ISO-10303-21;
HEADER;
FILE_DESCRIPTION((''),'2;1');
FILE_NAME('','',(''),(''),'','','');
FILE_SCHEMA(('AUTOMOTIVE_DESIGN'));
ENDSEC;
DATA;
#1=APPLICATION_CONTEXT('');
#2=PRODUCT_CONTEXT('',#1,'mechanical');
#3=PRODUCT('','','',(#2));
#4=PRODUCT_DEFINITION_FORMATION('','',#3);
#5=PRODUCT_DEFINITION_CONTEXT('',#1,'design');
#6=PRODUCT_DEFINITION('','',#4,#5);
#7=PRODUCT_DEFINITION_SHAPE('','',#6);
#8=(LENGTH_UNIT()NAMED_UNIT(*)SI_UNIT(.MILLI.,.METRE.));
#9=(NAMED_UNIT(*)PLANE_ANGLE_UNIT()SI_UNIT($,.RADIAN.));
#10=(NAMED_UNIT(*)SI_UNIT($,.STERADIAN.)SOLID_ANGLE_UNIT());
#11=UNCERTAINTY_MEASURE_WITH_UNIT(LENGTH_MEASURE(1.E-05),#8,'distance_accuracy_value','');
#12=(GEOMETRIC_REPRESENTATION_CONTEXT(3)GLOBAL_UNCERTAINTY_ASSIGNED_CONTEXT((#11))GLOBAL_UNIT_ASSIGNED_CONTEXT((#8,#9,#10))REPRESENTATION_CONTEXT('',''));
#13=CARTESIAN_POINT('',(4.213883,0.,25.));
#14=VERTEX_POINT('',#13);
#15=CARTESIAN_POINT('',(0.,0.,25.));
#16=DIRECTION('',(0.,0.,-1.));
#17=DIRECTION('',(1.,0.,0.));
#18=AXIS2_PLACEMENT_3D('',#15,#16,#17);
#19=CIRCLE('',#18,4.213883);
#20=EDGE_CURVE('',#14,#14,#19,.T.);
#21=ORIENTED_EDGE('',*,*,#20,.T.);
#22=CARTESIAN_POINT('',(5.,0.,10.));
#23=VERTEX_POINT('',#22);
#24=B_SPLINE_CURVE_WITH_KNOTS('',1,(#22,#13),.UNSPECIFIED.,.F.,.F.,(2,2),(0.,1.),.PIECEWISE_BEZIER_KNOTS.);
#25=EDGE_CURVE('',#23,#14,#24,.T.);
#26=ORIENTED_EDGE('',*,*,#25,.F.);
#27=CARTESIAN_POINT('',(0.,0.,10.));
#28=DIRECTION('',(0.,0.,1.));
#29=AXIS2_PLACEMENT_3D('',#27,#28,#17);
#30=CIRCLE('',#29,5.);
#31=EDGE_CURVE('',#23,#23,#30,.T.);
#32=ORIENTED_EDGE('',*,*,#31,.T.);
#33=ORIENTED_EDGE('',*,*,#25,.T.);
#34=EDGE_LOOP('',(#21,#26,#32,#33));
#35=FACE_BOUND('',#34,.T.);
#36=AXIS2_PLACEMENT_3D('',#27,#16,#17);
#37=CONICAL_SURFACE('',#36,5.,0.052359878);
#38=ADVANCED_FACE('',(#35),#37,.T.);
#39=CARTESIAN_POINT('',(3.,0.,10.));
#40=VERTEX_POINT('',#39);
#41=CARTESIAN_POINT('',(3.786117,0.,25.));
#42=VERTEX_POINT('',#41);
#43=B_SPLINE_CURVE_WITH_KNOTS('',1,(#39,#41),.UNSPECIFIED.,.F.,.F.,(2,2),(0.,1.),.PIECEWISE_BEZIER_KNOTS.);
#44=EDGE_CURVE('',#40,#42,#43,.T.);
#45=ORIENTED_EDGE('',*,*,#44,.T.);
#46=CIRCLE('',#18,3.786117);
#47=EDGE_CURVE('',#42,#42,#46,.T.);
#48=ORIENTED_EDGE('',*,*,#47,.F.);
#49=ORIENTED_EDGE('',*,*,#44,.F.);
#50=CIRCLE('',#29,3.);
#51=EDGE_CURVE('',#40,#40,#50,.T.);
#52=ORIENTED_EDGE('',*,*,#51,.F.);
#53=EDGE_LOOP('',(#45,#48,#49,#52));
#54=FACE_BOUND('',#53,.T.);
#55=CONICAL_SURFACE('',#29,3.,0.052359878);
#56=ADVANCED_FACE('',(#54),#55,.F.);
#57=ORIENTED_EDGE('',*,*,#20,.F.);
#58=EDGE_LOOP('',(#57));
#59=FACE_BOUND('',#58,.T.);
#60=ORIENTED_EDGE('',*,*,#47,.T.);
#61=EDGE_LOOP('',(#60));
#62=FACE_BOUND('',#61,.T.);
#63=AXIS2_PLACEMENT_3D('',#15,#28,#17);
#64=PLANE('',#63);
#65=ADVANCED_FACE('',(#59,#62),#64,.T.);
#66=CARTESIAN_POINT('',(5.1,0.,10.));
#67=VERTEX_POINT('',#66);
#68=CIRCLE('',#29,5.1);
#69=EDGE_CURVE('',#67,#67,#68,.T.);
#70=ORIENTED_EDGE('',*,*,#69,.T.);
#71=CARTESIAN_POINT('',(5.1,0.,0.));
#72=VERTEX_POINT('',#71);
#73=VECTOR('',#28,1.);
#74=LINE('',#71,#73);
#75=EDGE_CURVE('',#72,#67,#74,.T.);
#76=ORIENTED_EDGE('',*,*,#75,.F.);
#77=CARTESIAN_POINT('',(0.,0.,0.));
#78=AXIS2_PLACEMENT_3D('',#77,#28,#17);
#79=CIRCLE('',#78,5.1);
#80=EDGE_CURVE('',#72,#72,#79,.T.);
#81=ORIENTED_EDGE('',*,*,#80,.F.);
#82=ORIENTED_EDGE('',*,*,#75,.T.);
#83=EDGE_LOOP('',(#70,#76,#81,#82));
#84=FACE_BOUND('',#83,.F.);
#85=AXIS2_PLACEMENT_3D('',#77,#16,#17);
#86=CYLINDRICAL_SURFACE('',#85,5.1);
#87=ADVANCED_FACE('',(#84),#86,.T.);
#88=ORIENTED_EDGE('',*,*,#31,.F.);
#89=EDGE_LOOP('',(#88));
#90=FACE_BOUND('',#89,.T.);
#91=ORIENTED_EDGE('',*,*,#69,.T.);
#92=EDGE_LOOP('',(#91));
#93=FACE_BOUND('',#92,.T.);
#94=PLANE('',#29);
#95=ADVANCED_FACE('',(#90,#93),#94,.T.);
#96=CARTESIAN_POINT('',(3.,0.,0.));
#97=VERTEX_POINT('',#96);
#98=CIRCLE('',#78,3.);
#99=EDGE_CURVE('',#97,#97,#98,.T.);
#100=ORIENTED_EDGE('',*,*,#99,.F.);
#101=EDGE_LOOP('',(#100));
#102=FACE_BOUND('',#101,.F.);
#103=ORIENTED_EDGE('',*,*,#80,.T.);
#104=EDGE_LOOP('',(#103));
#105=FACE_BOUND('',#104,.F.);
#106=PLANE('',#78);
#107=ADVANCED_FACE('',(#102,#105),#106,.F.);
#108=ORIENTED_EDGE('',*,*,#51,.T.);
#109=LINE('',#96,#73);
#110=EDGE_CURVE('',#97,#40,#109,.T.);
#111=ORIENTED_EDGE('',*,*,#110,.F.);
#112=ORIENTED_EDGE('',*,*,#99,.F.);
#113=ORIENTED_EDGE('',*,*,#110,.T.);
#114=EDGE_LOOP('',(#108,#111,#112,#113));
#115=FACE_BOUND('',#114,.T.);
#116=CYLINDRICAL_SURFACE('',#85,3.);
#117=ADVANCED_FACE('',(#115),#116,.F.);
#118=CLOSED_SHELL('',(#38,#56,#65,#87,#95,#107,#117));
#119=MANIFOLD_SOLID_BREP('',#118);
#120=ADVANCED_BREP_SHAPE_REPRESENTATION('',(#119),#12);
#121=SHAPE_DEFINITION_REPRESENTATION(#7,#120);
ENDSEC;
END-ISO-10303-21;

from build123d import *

# Parameters (mm, degrees)
F0_R     = 5.1
F0_R_2   = 3
F1_DEPTH = 10
F2_R     = 5
F2_R_2   = 3
F3_DEPTH = 15
F3_TAPER = 3


with BuildPart() as f1:
    # F0 (on Top) → F1 (new body)
    with BuildSketch(Plane.XY):
        Circle(F0_R)
        Circle(F0_R_2, mode=Mode.SUBTRACT)
    extrude(amount=F1_DEPTH)

    # F2 (on face) → F3 (join)
    with BuildSketch(Plane.XY.offset(10)):
        Circle(F2_R)
        Circle(F2_R_2, mode=Mode.SUBTRACT)
    extrude(amount=F3_DEPTH, taper=F3_TAPER)


solid = f1.part
